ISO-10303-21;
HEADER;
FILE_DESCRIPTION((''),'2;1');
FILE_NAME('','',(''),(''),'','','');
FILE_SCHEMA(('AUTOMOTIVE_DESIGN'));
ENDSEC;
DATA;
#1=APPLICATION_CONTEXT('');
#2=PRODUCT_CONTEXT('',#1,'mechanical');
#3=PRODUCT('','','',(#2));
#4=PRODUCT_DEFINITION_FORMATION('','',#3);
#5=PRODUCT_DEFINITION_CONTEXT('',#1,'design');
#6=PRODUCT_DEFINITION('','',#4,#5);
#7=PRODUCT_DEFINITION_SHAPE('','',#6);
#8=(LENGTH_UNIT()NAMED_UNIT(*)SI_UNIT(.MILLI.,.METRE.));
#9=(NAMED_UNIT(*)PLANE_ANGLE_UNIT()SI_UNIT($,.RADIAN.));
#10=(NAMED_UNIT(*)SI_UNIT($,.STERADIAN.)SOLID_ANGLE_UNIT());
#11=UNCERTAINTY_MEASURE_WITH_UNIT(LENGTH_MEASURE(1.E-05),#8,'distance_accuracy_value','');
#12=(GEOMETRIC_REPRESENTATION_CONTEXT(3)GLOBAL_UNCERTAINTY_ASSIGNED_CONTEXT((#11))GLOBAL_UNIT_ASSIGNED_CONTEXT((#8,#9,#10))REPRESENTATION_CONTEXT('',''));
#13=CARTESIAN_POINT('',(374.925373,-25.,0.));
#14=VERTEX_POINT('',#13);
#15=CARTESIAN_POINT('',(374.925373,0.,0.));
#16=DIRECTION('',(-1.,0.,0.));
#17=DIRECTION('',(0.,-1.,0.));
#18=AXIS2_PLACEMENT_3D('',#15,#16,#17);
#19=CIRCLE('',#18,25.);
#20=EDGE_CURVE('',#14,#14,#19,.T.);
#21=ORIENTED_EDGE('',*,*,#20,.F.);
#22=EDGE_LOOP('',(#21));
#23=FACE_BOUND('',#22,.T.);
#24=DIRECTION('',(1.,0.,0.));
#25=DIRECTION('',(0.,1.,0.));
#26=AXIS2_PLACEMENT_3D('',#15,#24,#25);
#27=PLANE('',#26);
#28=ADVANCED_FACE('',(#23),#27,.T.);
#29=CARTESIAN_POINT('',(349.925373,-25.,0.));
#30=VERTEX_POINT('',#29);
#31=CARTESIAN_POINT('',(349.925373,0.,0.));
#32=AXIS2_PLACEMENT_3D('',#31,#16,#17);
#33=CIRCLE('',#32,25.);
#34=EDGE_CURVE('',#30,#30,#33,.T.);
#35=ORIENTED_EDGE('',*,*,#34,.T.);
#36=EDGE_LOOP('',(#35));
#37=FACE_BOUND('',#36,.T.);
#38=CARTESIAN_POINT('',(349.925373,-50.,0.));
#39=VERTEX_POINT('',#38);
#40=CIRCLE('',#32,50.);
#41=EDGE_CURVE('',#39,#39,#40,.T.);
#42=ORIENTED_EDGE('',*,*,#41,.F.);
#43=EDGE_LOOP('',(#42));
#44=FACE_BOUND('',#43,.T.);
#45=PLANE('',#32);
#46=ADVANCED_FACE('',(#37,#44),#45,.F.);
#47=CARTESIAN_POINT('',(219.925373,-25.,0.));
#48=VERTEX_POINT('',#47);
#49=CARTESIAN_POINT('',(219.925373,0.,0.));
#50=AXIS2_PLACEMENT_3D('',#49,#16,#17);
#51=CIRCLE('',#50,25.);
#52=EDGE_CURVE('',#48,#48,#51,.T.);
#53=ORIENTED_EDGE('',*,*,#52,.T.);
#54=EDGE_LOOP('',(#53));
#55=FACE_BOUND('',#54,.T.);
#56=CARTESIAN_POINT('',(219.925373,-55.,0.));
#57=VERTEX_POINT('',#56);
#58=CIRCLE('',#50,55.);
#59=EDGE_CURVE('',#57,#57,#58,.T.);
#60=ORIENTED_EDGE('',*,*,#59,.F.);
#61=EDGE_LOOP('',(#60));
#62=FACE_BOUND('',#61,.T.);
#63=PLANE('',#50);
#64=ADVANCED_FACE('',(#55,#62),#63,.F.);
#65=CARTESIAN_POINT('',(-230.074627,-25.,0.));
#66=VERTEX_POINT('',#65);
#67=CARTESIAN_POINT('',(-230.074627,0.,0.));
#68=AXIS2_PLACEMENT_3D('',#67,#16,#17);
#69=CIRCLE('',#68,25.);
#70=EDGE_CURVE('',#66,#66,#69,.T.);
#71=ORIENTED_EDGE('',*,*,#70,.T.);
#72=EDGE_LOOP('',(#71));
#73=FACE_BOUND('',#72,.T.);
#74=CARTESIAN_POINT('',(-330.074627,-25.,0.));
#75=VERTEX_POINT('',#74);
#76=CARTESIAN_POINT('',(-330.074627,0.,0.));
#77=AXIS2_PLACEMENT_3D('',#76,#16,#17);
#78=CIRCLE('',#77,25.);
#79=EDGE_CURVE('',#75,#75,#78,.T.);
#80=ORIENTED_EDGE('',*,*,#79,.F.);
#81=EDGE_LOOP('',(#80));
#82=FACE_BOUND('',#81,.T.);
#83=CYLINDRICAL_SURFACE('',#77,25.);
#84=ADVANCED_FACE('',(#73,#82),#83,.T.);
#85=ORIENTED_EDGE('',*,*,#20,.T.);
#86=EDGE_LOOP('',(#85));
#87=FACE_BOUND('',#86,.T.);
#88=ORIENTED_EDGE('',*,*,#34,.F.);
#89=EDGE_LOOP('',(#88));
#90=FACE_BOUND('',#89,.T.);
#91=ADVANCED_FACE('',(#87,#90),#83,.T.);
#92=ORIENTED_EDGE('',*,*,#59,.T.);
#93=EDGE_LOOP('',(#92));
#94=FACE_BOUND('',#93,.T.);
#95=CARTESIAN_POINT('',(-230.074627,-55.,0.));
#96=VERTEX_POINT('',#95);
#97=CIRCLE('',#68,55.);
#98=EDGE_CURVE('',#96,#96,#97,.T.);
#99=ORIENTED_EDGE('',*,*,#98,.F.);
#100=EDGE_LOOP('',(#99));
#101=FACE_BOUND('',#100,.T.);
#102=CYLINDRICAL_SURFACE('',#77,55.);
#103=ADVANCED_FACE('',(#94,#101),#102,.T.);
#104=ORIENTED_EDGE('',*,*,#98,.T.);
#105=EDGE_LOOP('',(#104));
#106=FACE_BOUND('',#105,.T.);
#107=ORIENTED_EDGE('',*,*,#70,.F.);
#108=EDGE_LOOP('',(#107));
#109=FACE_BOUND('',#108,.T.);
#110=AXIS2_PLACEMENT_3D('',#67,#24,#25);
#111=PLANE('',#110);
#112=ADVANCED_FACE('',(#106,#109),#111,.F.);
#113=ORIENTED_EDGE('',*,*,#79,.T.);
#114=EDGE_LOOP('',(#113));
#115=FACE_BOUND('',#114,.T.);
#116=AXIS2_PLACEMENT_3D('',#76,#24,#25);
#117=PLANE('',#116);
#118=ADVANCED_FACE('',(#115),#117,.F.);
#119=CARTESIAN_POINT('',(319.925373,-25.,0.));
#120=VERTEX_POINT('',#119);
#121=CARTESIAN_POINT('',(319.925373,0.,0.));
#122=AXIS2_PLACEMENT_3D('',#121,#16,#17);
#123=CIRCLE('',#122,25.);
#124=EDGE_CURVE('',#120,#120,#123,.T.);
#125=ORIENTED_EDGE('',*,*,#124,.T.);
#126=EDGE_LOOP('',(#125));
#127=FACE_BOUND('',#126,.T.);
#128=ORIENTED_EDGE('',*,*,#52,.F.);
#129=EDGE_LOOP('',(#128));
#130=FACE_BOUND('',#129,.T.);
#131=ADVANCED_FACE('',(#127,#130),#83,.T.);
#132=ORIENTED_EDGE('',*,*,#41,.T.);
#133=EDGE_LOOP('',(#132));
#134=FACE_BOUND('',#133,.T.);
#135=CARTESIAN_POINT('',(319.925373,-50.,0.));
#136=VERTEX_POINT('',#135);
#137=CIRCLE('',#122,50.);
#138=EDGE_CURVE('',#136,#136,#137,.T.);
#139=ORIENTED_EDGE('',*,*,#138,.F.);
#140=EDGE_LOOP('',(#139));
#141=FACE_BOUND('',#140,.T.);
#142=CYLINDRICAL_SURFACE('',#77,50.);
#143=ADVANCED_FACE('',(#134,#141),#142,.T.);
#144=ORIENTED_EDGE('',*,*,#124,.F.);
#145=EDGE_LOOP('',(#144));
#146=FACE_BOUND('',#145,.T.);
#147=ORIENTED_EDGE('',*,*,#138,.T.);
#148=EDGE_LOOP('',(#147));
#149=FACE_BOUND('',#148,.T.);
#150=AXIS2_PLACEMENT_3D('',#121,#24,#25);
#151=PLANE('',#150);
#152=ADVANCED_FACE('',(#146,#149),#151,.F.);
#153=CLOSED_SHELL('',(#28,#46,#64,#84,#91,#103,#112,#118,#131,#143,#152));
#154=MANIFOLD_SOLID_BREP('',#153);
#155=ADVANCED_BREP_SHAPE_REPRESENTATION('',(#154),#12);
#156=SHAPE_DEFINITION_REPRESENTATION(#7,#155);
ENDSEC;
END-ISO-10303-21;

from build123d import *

# Parameters (mm, degrees)
SKETCH1_W = 25
SKETCH1_H = 25


with BuildPart() as part:
    # Sketch1 → Revolve1 (revolve)
    with BuildSketch(Plane.XY, mode=Mode.PRIVATE) as revolve1_sk:
        Polygon((-230.074626866, 25), (-330.074626866, 25), (-330.074626866, 0), (349.925373134, 0), (349.925373134, 50), (319.925373134, 50), (319.925373134, 25), (219.925373134, 25), (219.925373134, 55), (-230.074626866, 55), align=None)
        with Locations((362.425373134, 12.5)):
            Rectangle(SKETCH1_W, SKETCH1_H)
    revolve(revolve1_sk.sketch.rotate(Axis((-330.074626866, 0, 0), (1, 0, 0)), 180), axis=Axis((-330.074626866, 0, 0), (1, 0, 0)))


solid = part.part
